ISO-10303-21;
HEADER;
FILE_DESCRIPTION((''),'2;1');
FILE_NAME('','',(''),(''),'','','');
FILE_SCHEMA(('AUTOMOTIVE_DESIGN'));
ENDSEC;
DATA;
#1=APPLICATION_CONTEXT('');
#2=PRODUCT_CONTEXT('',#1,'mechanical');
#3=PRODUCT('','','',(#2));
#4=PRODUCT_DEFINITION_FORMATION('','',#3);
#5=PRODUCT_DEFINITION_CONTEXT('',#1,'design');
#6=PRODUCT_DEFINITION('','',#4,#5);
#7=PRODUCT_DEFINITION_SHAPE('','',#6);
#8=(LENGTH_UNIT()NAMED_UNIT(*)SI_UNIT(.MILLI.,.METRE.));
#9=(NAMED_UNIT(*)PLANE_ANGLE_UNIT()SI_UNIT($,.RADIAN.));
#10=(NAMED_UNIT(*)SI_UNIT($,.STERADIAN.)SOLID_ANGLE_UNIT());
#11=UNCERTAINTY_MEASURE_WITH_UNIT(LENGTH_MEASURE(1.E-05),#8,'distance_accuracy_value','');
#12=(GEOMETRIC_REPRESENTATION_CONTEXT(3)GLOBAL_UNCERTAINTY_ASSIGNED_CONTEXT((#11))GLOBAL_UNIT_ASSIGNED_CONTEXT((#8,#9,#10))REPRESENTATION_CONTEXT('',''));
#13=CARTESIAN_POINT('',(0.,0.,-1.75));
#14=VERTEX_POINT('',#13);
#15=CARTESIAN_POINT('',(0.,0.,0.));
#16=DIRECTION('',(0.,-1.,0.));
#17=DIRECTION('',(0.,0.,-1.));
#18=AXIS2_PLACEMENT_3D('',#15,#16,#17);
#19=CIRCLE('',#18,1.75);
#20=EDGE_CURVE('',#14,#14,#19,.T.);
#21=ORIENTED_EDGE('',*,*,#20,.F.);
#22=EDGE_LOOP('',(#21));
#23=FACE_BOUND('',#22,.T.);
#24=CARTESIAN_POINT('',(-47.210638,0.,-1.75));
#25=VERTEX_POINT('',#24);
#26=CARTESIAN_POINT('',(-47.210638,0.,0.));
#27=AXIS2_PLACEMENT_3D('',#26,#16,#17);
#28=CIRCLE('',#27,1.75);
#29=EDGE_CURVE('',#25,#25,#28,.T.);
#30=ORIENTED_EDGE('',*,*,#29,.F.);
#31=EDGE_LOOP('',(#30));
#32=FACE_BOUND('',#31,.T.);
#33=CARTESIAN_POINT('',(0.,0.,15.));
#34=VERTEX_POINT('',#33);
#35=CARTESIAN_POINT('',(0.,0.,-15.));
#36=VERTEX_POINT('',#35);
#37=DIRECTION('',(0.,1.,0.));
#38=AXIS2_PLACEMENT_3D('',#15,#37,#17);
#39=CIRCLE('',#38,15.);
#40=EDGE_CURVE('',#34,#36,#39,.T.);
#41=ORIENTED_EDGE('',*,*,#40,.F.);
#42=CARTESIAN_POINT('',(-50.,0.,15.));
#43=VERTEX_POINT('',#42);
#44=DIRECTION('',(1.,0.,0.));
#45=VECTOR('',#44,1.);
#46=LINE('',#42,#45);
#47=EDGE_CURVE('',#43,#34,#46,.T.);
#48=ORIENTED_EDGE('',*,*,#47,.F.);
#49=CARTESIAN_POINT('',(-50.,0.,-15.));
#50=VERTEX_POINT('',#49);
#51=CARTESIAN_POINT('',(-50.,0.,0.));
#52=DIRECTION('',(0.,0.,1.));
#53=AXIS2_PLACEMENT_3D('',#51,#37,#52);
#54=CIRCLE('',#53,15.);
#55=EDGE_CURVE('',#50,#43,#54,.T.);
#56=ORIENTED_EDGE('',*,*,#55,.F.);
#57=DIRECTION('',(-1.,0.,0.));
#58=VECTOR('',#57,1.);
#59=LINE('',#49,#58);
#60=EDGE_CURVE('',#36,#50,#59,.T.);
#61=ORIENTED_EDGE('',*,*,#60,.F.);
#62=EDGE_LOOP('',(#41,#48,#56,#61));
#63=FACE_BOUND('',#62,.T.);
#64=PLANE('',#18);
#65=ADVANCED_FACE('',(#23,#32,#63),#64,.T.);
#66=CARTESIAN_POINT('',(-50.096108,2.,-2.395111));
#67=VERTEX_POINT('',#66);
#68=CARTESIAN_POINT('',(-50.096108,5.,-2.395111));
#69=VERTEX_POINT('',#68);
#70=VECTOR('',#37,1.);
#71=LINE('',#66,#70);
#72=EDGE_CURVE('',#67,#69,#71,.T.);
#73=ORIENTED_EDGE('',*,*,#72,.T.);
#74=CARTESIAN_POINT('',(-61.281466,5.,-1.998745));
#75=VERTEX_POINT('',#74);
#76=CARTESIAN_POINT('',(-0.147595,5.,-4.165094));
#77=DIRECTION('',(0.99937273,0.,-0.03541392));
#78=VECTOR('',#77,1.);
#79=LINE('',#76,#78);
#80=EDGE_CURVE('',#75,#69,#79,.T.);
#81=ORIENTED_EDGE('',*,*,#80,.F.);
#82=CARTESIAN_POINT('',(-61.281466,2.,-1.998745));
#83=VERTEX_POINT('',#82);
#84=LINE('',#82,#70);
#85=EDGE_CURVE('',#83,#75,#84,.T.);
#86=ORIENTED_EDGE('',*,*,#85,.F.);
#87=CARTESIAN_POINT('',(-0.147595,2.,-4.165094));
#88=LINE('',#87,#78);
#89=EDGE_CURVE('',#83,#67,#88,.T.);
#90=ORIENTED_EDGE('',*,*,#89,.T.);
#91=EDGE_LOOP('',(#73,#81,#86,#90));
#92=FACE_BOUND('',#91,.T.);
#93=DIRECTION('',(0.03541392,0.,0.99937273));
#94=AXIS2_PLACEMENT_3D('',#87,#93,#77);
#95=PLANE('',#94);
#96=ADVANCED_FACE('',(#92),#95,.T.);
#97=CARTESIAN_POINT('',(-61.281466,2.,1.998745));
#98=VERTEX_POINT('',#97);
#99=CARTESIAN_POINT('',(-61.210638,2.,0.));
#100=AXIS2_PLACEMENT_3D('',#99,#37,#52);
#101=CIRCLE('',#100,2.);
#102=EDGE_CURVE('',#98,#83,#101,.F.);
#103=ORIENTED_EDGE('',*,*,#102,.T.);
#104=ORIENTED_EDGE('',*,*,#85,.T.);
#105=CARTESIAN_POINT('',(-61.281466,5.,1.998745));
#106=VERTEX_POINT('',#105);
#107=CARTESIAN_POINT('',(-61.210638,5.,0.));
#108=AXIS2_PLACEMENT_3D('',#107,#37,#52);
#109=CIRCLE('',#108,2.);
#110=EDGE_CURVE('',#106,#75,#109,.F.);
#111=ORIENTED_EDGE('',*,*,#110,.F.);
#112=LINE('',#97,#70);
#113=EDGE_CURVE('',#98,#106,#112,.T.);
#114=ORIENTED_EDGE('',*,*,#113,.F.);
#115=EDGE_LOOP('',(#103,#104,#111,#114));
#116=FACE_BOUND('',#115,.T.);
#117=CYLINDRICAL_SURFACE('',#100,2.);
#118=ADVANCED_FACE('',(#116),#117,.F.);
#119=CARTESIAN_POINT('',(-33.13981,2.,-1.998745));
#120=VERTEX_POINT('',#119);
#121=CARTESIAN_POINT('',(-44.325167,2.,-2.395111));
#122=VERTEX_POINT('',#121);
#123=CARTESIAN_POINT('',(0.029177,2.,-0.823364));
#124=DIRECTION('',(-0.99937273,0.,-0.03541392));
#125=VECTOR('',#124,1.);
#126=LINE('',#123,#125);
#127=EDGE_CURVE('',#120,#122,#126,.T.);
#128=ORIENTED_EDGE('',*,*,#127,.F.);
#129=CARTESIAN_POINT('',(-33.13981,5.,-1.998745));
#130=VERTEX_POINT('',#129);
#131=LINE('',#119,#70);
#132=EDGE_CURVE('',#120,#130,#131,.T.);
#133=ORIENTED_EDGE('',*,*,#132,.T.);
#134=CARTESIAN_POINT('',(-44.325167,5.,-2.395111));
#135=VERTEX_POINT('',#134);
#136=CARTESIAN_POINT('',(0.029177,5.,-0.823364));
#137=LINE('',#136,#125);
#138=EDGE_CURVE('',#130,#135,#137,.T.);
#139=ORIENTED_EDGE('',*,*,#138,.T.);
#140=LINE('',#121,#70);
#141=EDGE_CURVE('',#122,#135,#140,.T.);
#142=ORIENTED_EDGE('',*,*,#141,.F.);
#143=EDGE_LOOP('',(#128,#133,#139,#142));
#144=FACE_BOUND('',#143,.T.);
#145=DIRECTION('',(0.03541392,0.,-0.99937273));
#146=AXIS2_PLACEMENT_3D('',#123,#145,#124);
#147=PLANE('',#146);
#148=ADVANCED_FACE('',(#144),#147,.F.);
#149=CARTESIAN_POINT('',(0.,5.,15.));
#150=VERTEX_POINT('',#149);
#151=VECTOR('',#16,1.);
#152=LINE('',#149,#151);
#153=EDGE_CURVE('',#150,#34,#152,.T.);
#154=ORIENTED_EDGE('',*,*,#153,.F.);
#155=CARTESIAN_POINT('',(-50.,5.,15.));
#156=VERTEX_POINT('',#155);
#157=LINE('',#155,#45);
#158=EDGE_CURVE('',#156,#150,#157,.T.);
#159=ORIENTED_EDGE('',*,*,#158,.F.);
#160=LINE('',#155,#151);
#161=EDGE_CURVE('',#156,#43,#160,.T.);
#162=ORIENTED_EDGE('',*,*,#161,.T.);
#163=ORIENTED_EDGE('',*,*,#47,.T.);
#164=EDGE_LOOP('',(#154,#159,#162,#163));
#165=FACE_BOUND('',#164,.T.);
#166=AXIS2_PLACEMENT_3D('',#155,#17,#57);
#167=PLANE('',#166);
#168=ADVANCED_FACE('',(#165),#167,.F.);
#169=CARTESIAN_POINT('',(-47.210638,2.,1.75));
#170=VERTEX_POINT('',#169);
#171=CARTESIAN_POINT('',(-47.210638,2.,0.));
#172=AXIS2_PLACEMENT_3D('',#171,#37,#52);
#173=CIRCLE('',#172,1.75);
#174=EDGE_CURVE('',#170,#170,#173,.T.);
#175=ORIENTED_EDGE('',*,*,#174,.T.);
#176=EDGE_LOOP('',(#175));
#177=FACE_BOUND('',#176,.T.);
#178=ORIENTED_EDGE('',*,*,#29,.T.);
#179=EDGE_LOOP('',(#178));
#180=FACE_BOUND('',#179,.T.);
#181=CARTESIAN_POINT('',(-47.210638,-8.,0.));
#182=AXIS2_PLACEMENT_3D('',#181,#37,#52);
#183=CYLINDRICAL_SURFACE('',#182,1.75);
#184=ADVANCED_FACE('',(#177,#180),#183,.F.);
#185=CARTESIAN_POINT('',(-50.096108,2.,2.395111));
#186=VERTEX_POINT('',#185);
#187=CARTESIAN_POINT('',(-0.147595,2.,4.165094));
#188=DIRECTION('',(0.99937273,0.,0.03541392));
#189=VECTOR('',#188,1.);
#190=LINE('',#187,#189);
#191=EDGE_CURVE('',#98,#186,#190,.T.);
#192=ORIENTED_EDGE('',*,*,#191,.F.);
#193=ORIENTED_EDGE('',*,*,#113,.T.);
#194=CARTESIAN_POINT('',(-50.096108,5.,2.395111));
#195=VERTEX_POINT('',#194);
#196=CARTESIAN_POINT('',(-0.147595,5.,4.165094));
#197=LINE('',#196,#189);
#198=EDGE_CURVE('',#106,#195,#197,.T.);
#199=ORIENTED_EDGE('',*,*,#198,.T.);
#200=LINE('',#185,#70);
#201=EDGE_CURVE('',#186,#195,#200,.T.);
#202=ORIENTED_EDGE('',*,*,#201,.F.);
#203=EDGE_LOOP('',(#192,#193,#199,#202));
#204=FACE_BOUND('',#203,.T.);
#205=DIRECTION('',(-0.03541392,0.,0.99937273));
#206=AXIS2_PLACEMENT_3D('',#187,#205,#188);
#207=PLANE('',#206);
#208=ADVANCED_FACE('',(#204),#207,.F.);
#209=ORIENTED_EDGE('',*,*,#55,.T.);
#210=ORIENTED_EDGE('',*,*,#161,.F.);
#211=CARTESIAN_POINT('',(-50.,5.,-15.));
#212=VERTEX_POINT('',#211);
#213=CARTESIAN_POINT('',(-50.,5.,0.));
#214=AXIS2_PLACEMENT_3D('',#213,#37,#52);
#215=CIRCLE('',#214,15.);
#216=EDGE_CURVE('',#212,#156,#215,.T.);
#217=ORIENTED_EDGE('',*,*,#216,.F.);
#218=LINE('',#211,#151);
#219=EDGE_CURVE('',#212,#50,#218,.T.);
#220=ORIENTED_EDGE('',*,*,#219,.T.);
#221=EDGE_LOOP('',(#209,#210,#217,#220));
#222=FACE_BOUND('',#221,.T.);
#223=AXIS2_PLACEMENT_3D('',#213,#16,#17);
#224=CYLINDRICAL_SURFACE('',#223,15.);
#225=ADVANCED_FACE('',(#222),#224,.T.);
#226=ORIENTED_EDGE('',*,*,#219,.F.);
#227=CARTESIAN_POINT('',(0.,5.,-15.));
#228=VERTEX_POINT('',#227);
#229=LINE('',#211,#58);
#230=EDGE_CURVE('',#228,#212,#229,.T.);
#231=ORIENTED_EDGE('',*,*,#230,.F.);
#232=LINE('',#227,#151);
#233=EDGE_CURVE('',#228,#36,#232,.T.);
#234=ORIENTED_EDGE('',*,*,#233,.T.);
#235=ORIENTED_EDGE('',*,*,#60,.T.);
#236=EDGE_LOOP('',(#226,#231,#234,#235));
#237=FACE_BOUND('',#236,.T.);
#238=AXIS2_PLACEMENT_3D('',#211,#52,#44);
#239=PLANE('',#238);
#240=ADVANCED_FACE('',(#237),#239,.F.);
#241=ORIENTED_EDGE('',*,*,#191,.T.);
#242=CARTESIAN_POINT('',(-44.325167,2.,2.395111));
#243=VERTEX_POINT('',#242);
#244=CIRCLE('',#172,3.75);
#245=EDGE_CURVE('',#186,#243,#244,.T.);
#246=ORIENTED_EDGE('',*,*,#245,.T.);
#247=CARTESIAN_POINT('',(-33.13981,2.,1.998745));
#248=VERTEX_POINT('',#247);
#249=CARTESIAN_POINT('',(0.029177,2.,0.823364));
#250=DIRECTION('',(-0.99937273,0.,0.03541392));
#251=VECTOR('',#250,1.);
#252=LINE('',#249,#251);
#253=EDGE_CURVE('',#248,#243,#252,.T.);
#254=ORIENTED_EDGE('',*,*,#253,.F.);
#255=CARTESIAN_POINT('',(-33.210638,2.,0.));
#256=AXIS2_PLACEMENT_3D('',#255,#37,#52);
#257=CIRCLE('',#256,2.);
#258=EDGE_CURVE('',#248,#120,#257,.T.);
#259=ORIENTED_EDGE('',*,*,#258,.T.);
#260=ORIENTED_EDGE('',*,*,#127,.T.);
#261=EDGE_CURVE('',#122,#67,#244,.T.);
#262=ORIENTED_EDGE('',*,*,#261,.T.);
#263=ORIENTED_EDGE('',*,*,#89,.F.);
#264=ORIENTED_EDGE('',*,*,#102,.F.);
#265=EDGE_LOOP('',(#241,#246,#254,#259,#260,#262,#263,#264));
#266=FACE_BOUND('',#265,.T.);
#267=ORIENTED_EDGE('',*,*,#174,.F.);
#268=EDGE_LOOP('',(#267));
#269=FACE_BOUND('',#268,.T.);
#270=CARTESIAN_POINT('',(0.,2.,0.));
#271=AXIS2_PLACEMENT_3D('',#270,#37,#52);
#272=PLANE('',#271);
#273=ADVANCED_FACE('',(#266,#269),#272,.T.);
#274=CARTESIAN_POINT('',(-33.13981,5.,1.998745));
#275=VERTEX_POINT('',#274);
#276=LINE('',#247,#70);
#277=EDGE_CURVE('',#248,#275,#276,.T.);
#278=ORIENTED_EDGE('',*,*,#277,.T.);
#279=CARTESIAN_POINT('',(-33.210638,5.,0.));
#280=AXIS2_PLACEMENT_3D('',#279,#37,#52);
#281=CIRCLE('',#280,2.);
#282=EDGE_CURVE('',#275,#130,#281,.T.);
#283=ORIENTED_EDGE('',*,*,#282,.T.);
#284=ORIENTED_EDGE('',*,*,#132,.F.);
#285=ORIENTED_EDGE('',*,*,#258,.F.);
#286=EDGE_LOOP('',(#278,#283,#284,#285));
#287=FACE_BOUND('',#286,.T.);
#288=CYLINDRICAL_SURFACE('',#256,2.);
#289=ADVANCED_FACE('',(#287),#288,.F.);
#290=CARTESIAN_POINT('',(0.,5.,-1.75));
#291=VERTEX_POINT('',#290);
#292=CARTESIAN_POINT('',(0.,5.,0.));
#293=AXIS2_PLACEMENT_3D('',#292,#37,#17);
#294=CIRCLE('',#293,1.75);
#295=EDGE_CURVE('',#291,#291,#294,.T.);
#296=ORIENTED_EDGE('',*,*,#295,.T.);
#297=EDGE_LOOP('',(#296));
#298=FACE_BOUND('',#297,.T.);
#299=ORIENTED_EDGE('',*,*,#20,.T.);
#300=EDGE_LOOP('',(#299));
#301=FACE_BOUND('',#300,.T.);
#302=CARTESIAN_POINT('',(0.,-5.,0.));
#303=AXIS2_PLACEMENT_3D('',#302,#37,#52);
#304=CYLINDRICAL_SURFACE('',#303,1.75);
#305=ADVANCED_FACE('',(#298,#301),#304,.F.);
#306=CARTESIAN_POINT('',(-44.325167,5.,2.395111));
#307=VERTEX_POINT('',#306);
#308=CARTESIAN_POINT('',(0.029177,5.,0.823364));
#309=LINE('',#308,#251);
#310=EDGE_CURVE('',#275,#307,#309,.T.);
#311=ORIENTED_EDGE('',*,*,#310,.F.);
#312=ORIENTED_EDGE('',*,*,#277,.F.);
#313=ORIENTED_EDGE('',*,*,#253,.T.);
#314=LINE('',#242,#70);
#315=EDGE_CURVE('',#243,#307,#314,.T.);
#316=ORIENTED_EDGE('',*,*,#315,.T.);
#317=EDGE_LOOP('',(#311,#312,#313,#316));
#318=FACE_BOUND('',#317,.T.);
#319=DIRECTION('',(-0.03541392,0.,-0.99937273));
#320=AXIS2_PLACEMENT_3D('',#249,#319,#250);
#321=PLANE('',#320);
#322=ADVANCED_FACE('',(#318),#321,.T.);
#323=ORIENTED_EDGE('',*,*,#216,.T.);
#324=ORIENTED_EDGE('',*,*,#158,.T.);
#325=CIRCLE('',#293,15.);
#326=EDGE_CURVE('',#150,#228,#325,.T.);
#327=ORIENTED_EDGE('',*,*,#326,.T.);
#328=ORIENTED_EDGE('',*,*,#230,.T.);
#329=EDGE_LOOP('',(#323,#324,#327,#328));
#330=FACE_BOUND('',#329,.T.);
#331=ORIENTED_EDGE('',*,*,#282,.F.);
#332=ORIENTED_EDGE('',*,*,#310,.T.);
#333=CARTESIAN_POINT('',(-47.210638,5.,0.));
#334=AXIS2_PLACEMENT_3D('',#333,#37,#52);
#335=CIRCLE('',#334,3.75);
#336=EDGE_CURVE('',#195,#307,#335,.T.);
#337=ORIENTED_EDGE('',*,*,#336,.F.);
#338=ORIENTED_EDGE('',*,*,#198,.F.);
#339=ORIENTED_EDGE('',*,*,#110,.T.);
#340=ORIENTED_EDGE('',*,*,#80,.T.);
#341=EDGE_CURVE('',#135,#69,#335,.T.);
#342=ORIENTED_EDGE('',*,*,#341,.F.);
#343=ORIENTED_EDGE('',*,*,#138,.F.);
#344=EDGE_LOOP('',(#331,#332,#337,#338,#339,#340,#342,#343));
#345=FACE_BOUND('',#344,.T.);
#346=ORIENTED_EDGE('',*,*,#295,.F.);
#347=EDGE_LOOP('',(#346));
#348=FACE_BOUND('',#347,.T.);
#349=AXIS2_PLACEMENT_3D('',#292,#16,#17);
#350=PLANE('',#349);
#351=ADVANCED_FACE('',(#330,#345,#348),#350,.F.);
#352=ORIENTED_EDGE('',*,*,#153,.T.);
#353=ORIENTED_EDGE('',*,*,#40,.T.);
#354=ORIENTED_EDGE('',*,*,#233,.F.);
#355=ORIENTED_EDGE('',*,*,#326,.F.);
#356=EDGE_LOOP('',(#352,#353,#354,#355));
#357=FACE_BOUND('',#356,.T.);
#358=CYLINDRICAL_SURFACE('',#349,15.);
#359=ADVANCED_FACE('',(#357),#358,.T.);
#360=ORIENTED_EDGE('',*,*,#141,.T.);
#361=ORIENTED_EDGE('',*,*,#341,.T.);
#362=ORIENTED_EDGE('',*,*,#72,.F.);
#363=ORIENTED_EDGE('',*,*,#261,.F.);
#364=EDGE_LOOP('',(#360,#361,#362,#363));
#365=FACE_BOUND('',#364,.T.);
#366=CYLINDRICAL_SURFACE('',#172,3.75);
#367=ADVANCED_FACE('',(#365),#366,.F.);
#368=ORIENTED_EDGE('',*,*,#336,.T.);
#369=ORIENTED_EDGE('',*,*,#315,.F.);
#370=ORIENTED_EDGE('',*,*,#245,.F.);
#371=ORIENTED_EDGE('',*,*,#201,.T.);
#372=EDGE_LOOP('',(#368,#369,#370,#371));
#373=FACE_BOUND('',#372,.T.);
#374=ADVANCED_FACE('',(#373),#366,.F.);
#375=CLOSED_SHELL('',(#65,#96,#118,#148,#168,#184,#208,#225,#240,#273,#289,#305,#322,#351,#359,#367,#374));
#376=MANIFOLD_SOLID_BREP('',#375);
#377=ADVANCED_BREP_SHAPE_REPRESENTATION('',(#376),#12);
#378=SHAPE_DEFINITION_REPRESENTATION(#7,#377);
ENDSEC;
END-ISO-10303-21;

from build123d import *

# Parameters (mm, degrees)
RESSALTO_EXTRUS_O2_DEPTH = 5
ESBO_O4_R                = 1.75
CORTE_EXTRUS_O1_DEPTH    = 10
CORTE_EXTRUS_O2_DEPTH    = 3
ESBO_O7_R                = 2.5
CORTE_EXTRUS_O3_DEPTH    = 3
ESBO_O12_R               = 1.75
CORTE_EXTRUS_O5_DEPTH    = 10


with BuildPart() as part:
    # Esboço3 → Ressalto-extrusão2 (new body)
    with BuildSketch(Plane(origin=(0, 0, 0), x_dir=(1, 0, 0), z_dir=(0, 1, 0))):
        with BuildLine():
            Line((-50, 15), (0, 15))
            ThreePointArc((0, 15), (15, 0), (0, -15))
            Line((0, -15), (-50, -15))
            ThreePointArc((-50, -15), (-65, 0), (-50, 15))
        make_face()
    extrude(amount=RESSALTO_EXTRUS_O2_DEPTH)

    # Esboço4 → Corte-extrusão1 (cut)
    with BuildSketch(Plane(origin=(0, 5, 0), x_dir=(1, 0, 0), z_dir=(0, 1, 0))):
        with Locations(Location((0, 0, 0), (0, 0, 90))):
            Circle(ESBO_O4_R)
    extrude(amount=-CORTE_EXTRUS_O1_DEPTH, mode=Mode.SUBTRACT)

    # Esboço6 → Corte-extrusão2 (cut)
    with BuildSketch(Plane(origin=(0, 5, 0), x_dir=(1, 0, 0), z_dir=(0, 1, 0))):
        with BuildLine():
            Line((-50.096108497, 2.395111434), (-61.281465627, 1.998745461))
            ThreePointArc((-61.281465627, 1.998745461), (-63.210637787, 0), (-61.281465627, -1.998745461))
            Line((-61.281465627, -1.998745461), (-50.096108497, -2.395111434))
            ThreePointArc((-50.096108497, -2.395111434), (-47.210637787, -3.75), (-44.325167077, -2.395111434))
            Line((-44.325167077, -2.395111434), (-33.139809947, -1.998745461))
            ThreePointArc((-33.139809947, -1.998745461), (-31.210637787, 0), (-33.139809947, 1.998745461))
            Line((-33.139809947, 1.998745461), (-44.325167077, 2.395111434))
            ThreePointArc((-44.325167077, 2.395111434), (-47.210637787, 3.75), (-50.096108497, 2.395111434))
        make_face()
        with BuildLine():
            ThreePointArc((-47.443873787, 2.489096416), (-47.210637787, 2.5), (-46.977401787, 2.489096416))
            ThreePointArc((-46.977401787, 2.489096416), (-45.362247947, 1.683286963), (-44.710637787, 0))
            ThreePointArc((-44.710637787, 0), (-45.362247947, -1.683286963), (-46.977401787, -2.489096416))
            ThreePointArc((-46.977401787, -2.489096416), (-47.210637787, -2.5), (-47.443873787, -2.489096416))
            ThreePointArc((-47.443873787, -2.489096416), (-49.710637787, 0), (-47.443873787, 2.489096416))
        make_face(mode=Mode.SUBTRACT)
    extrude(amount=-CORTE_EXTRUS_O2_DEPTH, mode=Mode.SUBTRACT)

    # Esboço7 → Corte-extrusão3 (cut)
    with BuildSketch(Plane(origin=(0, 5, 0), x_dir=(1, 0, 0), z_dir=(0, 1, 0))):
        with Locations((-47.210637787, 0)):
            Circle(ESBO_O7_R)
    extrude(amount=-CORTE_EXTRUS_O3_DEPTH, mode=Mode.SUBTRACT)

    # Esboço12 → Corte-extrusão5 (cut)
    with BuildSketch(Plane(origin=(0, 2, 0), x_dir=(1, 0, 0), z_dir=(0, 1, 0))):
        with Locations(Location((-47.210637787, 0, 0), (0, 0, 270))):
            Circle(ESBO_O12_R)
    extrude(amount=-CORTE_EXTRUS_O5_DEPTH, mode=Mode.SUBTRACT)


solid = part.part
